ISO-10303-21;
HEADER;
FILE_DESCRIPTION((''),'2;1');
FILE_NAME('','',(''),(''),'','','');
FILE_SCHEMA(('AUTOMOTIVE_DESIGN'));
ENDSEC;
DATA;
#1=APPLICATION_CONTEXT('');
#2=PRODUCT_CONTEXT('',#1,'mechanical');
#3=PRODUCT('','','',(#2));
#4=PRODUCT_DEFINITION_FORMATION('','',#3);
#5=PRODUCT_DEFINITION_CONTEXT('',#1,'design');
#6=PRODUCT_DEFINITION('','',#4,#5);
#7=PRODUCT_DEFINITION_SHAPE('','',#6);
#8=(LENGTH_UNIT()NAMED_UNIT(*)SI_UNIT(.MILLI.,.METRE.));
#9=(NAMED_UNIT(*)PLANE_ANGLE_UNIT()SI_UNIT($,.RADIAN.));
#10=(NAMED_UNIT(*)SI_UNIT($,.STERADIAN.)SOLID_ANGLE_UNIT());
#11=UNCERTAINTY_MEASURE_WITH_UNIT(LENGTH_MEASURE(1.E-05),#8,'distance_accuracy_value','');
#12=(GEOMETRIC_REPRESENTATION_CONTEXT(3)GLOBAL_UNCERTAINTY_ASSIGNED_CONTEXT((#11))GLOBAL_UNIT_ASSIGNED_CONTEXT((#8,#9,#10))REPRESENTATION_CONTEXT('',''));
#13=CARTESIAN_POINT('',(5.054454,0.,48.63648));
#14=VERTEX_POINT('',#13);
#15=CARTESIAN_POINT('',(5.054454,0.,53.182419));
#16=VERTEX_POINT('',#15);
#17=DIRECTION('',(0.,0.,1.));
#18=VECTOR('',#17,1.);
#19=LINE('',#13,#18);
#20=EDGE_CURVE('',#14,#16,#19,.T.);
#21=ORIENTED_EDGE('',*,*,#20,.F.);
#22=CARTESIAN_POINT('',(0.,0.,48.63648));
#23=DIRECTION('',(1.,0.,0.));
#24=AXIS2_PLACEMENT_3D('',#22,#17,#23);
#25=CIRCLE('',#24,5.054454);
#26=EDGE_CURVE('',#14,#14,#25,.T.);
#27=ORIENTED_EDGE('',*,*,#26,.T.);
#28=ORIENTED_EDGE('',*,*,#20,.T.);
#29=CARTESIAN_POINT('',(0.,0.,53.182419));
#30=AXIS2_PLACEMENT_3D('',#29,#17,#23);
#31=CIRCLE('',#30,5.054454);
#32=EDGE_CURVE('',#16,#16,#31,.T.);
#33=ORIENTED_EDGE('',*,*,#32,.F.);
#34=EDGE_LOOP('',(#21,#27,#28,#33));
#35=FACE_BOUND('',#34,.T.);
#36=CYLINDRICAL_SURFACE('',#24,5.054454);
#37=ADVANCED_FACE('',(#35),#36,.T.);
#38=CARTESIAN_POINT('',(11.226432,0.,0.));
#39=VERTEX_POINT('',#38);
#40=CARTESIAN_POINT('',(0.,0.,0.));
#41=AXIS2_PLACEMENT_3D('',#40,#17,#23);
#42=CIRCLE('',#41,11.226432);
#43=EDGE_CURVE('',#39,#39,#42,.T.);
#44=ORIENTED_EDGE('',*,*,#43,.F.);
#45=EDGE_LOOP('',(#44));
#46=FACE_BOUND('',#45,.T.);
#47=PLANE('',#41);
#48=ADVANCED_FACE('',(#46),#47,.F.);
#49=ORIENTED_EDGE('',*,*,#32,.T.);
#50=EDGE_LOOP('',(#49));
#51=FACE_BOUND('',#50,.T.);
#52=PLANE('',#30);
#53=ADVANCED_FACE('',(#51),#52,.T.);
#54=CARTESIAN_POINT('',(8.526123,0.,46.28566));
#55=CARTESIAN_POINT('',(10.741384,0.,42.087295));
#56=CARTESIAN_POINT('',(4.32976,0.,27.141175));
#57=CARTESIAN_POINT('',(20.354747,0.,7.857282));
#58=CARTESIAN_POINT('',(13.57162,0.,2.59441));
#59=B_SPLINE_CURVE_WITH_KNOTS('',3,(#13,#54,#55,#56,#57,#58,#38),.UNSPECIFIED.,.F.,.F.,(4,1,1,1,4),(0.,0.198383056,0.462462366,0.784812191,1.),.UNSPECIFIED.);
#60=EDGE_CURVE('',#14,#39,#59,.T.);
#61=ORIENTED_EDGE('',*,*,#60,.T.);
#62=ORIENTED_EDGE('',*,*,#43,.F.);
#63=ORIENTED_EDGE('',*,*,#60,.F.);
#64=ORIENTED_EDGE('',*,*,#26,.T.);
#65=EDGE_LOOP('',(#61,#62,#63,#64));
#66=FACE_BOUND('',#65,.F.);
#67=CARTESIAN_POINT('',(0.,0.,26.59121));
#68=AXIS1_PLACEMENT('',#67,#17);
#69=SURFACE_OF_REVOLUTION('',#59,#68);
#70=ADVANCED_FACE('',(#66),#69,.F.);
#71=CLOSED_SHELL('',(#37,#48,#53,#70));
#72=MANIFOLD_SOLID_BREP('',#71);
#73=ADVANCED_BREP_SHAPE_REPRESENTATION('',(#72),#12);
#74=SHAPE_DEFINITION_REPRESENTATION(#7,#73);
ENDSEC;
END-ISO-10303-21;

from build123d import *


with BuildPart() as f1:
    # F0 (on Front) → F1 (revolve)
    with BuildSketch(Plane.XZ):
        with BuildLine():
            Line((0, 53.1824193895), (0, 0))
            Line((0, 0), (11.2264323552, 0))
            add(Edge.make_bspline(
                [(5.0544536489, 48.6364796709), (8.5261231287, 46.2856596029), (10.741384426, 42.0872945404), (4.3297599846, 27.1411750852), (20.3547474994, 7.8572815911), (13.5716198271, 2.5944104072), (11.2264323552, 0)],
                knots=[0, 0, 0, 0, 0.1983830558, 0.4624623661, 0.7848121914, 1, 1, 1, 1], degree=3))
            Line((5.0544536489, 48.6364796709), (5.0544536489, 53.1824193895))
            Line((5.0544536489, 53.1824193895), (0, 53.1824193895))
        make_face()
    revolve(axis=Axis((0, 0, 26.5912096947), (0, 0, 1)))


solid = f1.part
